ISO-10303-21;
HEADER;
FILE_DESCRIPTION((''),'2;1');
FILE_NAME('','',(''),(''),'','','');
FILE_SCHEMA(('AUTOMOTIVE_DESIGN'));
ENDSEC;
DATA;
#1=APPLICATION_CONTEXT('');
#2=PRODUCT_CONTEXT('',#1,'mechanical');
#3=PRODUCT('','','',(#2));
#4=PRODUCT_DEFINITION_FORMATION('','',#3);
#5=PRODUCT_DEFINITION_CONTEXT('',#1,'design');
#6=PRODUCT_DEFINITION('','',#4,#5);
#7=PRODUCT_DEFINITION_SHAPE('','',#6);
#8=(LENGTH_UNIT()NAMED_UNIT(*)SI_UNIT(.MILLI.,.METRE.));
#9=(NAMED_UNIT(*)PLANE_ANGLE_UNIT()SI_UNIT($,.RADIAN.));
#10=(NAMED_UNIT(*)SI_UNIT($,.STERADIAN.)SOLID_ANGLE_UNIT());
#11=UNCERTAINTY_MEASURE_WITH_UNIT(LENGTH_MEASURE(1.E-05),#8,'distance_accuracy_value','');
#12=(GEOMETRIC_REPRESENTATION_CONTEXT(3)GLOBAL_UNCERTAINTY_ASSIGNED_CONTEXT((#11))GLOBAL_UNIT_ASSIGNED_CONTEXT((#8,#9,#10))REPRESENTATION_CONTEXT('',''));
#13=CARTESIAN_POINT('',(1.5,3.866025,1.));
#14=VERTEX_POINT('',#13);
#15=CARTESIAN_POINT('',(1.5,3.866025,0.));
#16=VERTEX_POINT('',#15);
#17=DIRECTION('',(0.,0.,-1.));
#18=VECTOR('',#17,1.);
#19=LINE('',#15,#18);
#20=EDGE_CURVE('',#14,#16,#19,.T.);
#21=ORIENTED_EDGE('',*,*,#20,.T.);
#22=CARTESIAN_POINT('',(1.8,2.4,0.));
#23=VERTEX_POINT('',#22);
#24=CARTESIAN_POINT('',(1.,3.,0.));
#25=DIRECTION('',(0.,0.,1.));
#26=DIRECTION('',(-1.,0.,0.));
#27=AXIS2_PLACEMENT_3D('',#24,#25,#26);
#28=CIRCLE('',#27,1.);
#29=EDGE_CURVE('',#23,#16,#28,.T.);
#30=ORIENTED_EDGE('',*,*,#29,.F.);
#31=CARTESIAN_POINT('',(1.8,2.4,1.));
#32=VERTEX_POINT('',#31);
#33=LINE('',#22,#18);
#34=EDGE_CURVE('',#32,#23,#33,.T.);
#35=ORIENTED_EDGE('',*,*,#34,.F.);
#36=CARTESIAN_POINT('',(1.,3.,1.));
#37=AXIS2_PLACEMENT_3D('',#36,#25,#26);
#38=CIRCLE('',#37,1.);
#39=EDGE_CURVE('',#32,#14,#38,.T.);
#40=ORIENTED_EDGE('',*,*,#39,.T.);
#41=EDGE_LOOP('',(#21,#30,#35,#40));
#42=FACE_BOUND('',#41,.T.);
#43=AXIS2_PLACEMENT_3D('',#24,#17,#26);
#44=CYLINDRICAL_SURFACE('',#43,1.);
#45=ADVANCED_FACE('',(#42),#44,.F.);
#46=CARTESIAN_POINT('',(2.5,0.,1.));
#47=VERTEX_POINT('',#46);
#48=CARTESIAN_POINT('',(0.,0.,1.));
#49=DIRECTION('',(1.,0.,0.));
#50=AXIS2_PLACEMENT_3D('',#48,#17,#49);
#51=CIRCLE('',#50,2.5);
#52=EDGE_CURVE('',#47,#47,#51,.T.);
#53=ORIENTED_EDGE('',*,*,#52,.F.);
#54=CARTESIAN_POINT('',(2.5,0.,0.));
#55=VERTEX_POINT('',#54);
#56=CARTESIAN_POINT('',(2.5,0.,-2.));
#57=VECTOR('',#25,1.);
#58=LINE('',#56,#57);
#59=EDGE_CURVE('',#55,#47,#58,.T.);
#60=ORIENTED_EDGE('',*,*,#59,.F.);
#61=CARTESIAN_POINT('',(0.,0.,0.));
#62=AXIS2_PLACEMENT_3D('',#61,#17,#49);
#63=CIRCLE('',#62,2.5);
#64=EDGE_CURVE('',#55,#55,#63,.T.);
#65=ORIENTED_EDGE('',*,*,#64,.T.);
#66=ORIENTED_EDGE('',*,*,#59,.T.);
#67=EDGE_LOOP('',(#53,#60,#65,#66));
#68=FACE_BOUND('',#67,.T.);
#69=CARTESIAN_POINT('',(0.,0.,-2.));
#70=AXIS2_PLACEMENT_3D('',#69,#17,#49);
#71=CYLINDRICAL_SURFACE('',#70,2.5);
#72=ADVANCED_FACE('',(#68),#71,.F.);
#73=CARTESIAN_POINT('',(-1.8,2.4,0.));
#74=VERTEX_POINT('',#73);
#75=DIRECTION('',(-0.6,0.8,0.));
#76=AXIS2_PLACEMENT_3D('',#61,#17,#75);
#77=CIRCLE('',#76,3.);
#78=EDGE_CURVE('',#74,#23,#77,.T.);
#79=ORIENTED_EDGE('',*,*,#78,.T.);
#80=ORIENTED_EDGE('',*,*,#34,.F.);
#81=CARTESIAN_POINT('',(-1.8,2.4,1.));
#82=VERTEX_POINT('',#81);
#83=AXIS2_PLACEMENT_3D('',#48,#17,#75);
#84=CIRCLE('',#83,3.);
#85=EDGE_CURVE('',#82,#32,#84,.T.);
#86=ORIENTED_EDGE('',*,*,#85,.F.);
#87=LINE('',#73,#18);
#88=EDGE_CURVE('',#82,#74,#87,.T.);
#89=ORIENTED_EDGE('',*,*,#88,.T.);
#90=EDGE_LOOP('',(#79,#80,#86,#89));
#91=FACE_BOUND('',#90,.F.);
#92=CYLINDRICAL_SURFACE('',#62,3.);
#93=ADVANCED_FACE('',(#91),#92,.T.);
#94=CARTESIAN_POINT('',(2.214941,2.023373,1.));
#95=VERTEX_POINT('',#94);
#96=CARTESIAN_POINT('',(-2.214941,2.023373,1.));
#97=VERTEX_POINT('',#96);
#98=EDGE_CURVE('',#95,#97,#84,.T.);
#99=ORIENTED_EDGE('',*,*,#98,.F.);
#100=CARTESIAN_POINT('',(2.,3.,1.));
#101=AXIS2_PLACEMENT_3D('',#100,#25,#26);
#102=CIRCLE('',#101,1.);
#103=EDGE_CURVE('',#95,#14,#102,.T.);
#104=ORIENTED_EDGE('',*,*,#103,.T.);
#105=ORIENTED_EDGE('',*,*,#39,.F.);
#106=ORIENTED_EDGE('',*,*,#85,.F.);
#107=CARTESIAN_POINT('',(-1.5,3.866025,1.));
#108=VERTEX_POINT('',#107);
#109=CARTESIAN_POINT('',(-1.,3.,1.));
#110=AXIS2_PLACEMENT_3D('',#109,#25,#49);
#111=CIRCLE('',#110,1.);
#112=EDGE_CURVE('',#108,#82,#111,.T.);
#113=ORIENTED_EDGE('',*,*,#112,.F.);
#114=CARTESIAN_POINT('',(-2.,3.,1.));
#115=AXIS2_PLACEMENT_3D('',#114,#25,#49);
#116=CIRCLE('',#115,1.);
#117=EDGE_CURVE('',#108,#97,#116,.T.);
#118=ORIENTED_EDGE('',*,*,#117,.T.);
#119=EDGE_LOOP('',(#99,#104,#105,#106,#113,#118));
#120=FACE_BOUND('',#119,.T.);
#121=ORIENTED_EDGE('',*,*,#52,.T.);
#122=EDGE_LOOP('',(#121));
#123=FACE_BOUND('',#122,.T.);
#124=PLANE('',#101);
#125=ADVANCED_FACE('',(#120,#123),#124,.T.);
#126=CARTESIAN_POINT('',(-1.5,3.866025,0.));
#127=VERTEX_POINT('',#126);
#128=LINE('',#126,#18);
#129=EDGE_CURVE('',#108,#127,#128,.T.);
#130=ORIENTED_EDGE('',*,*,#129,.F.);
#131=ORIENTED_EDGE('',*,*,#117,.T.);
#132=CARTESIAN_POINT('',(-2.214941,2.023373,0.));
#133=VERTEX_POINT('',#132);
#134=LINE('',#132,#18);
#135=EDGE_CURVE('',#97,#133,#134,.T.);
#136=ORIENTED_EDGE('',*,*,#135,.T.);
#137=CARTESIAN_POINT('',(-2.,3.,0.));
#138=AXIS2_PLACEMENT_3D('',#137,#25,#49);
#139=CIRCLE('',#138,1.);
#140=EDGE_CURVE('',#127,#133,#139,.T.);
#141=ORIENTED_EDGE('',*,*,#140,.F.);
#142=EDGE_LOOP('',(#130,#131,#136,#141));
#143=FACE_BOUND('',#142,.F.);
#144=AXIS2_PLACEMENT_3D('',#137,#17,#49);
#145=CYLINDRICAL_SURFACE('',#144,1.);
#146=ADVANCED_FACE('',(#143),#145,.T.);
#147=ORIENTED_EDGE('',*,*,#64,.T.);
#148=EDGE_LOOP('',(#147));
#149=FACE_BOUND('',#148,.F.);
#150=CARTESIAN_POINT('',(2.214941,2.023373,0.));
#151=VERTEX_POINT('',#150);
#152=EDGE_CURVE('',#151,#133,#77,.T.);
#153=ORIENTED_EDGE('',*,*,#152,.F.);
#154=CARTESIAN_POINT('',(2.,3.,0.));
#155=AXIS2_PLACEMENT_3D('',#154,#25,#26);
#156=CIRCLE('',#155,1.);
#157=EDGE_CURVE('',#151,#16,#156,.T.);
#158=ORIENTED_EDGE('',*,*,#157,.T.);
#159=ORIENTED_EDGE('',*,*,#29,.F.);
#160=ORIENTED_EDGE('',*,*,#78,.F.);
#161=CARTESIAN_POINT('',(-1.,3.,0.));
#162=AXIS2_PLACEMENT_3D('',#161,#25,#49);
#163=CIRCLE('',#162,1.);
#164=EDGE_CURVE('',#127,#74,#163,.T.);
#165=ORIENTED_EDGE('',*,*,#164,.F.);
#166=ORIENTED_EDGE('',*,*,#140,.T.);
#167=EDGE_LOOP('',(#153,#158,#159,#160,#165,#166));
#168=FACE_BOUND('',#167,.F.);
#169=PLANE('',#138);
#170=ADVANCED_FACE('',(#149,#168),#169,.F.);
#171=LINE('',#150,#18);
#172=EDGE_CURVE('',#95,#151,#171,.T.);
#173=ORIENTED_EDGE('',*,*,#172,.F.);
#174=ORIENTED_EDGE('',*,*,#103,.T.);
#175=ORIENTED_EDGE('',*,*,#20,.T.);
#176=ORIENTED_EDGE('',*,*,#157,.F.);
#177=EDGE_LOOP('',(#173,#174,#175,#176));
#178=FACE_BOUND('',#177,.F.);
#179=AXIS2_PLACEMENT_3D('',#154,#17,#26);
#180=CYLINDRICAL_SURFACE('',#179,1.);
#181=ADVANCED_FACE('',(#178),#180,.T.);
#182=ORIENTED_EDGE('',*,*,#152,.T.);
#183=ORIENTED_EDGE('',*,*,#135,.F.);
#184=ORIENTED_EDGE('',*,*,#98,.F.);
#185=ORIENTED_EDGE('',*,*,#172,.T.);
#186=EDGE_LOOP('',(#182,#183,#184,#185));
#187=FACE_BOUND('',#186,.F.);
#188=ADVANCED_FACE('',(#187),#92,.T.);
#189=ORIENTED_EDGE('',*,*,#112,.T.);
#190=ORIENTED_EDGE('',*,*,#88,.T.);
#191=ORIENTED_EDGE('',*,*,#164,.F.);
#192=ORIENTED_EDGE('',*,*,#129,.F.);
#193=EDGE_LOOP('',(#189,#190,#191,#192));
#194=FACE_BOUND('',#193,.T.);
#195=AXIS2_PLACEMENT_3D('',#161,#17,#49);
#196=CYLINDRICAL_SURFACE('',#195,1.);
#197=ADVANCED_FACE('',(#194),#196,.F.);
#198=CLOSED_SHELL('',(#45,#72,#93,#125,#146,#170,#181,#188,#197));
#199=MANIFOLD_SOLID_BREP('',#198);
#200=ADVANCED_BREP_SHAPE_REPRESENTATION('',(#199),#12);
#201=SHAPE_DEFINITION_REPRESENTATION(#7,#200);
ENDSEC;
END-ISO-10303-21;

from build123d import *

# Parameters (mm, degrees)
CYLINDER003_R          = 1
CYLINDER003_DEPTH      = 1
CYLINDER002_R          = 1
CYLINDER002_DEPTH      = 1
CYLINDER005_R          = 1
CYLINDER005_DEPTH      = 1
CYLINDER004_R          = 1
CYLINDER004_DEPTH      = 1
CUT002_PLACEMENT_ANGLE = 180
CYLINDER001_R          = 2.5
CYLINDER001_DEPTH      = 5
CYLINDER_R             = 3
CYLINDER_DEPTH         = 1


with BuildPart() as cilindro003:
    # Cylinder003 → Cylinder003 (new body)
    with BuildSketch(Plane(origin=(-7, 0, 0), x_dir=(1, 0, 0), z_dir=(0, 0, 1))):
        Circle(CYLINDER003_R)
    extrude(amount=CYLINDER003_DEPTH)


with BuildPart() as cut001:
    # Cylinder002 → Cylinder002 (new body)
    with BuildSketch(Plane(origin=(-8, 0, 0), x_dir=(1, 0, 0), z_dir=(0, 0, 1))):
        Circle(CYLINDER002_R)
    extrude(amount=CYLINDER002_DEPTH)

    # Cut001: cut Cilindro003
    add(cilindro003.part, mode=Mode.SUBTRACT)


with BuildPart() as cut001_1:
    # Cut001 placement: moved
    add(cut001.part.moved(Location((6, 3, 0))))


with BuildPart() as cilindro005:
    # Cylinder005 → Cylinder005 (new body)
    with BuildSketch(Plane(origin=(-7, 0, 0), x_dir=(1, 0, 0), z_dir=(0, 0, 1))):
        Circle(CYLINDER005_R)
    extrude(amount=CYLINDER005_DEPTH)


with BuildPart() as cut002:
    # Cylinder004 → Cylinder004 (new body)
    with BuildSketch(Plane(origin=(-8, 0, 0), x_dir=(1, 0, 0), z_dir=(0, 0, 1))):
        Circle(CYLINDER004_R)
    extrude(amount=CYLINDER004_DEPTH)

    # Cut002: cut Cilindro005
    add(cilindro005.part, mode=Mode.SUBTRACT)


with BuildPart() as cut002_1:
    # Cut002 placement: moved
    add(cut002.part.moved(Location((-6, 3, 0))).rotate(Axis((-6, 3, 0), (0, 0, 1)), CUT002_PLACEMENT_ANGLE))


with BuildPart() as cilindro001:
    # Cylinder001 → Cylinder001 (new body)
    with BuildSketch(Plane.XY.offset(-2)):
        Circle(CYLINDER001_R)
    extrude(amount=CYLINDER001_DEPTH)


with BuildPart() as fusion:
    # Cylinder → Cylinder (new body)
    with BuildSketch(Plane.XY):
        Circle(CYLINDER_R)
    extrude(amount=CYLINDER_DEPTH)

    # Cut: cut Cilindro001
    add(cilindro001.part, mode=Mode.SUBTRACT)

    # Fusion: union Cut001, Cut002
    add(cut001_1.part)
    add(cut002_1.part)


solid = fusion.part
